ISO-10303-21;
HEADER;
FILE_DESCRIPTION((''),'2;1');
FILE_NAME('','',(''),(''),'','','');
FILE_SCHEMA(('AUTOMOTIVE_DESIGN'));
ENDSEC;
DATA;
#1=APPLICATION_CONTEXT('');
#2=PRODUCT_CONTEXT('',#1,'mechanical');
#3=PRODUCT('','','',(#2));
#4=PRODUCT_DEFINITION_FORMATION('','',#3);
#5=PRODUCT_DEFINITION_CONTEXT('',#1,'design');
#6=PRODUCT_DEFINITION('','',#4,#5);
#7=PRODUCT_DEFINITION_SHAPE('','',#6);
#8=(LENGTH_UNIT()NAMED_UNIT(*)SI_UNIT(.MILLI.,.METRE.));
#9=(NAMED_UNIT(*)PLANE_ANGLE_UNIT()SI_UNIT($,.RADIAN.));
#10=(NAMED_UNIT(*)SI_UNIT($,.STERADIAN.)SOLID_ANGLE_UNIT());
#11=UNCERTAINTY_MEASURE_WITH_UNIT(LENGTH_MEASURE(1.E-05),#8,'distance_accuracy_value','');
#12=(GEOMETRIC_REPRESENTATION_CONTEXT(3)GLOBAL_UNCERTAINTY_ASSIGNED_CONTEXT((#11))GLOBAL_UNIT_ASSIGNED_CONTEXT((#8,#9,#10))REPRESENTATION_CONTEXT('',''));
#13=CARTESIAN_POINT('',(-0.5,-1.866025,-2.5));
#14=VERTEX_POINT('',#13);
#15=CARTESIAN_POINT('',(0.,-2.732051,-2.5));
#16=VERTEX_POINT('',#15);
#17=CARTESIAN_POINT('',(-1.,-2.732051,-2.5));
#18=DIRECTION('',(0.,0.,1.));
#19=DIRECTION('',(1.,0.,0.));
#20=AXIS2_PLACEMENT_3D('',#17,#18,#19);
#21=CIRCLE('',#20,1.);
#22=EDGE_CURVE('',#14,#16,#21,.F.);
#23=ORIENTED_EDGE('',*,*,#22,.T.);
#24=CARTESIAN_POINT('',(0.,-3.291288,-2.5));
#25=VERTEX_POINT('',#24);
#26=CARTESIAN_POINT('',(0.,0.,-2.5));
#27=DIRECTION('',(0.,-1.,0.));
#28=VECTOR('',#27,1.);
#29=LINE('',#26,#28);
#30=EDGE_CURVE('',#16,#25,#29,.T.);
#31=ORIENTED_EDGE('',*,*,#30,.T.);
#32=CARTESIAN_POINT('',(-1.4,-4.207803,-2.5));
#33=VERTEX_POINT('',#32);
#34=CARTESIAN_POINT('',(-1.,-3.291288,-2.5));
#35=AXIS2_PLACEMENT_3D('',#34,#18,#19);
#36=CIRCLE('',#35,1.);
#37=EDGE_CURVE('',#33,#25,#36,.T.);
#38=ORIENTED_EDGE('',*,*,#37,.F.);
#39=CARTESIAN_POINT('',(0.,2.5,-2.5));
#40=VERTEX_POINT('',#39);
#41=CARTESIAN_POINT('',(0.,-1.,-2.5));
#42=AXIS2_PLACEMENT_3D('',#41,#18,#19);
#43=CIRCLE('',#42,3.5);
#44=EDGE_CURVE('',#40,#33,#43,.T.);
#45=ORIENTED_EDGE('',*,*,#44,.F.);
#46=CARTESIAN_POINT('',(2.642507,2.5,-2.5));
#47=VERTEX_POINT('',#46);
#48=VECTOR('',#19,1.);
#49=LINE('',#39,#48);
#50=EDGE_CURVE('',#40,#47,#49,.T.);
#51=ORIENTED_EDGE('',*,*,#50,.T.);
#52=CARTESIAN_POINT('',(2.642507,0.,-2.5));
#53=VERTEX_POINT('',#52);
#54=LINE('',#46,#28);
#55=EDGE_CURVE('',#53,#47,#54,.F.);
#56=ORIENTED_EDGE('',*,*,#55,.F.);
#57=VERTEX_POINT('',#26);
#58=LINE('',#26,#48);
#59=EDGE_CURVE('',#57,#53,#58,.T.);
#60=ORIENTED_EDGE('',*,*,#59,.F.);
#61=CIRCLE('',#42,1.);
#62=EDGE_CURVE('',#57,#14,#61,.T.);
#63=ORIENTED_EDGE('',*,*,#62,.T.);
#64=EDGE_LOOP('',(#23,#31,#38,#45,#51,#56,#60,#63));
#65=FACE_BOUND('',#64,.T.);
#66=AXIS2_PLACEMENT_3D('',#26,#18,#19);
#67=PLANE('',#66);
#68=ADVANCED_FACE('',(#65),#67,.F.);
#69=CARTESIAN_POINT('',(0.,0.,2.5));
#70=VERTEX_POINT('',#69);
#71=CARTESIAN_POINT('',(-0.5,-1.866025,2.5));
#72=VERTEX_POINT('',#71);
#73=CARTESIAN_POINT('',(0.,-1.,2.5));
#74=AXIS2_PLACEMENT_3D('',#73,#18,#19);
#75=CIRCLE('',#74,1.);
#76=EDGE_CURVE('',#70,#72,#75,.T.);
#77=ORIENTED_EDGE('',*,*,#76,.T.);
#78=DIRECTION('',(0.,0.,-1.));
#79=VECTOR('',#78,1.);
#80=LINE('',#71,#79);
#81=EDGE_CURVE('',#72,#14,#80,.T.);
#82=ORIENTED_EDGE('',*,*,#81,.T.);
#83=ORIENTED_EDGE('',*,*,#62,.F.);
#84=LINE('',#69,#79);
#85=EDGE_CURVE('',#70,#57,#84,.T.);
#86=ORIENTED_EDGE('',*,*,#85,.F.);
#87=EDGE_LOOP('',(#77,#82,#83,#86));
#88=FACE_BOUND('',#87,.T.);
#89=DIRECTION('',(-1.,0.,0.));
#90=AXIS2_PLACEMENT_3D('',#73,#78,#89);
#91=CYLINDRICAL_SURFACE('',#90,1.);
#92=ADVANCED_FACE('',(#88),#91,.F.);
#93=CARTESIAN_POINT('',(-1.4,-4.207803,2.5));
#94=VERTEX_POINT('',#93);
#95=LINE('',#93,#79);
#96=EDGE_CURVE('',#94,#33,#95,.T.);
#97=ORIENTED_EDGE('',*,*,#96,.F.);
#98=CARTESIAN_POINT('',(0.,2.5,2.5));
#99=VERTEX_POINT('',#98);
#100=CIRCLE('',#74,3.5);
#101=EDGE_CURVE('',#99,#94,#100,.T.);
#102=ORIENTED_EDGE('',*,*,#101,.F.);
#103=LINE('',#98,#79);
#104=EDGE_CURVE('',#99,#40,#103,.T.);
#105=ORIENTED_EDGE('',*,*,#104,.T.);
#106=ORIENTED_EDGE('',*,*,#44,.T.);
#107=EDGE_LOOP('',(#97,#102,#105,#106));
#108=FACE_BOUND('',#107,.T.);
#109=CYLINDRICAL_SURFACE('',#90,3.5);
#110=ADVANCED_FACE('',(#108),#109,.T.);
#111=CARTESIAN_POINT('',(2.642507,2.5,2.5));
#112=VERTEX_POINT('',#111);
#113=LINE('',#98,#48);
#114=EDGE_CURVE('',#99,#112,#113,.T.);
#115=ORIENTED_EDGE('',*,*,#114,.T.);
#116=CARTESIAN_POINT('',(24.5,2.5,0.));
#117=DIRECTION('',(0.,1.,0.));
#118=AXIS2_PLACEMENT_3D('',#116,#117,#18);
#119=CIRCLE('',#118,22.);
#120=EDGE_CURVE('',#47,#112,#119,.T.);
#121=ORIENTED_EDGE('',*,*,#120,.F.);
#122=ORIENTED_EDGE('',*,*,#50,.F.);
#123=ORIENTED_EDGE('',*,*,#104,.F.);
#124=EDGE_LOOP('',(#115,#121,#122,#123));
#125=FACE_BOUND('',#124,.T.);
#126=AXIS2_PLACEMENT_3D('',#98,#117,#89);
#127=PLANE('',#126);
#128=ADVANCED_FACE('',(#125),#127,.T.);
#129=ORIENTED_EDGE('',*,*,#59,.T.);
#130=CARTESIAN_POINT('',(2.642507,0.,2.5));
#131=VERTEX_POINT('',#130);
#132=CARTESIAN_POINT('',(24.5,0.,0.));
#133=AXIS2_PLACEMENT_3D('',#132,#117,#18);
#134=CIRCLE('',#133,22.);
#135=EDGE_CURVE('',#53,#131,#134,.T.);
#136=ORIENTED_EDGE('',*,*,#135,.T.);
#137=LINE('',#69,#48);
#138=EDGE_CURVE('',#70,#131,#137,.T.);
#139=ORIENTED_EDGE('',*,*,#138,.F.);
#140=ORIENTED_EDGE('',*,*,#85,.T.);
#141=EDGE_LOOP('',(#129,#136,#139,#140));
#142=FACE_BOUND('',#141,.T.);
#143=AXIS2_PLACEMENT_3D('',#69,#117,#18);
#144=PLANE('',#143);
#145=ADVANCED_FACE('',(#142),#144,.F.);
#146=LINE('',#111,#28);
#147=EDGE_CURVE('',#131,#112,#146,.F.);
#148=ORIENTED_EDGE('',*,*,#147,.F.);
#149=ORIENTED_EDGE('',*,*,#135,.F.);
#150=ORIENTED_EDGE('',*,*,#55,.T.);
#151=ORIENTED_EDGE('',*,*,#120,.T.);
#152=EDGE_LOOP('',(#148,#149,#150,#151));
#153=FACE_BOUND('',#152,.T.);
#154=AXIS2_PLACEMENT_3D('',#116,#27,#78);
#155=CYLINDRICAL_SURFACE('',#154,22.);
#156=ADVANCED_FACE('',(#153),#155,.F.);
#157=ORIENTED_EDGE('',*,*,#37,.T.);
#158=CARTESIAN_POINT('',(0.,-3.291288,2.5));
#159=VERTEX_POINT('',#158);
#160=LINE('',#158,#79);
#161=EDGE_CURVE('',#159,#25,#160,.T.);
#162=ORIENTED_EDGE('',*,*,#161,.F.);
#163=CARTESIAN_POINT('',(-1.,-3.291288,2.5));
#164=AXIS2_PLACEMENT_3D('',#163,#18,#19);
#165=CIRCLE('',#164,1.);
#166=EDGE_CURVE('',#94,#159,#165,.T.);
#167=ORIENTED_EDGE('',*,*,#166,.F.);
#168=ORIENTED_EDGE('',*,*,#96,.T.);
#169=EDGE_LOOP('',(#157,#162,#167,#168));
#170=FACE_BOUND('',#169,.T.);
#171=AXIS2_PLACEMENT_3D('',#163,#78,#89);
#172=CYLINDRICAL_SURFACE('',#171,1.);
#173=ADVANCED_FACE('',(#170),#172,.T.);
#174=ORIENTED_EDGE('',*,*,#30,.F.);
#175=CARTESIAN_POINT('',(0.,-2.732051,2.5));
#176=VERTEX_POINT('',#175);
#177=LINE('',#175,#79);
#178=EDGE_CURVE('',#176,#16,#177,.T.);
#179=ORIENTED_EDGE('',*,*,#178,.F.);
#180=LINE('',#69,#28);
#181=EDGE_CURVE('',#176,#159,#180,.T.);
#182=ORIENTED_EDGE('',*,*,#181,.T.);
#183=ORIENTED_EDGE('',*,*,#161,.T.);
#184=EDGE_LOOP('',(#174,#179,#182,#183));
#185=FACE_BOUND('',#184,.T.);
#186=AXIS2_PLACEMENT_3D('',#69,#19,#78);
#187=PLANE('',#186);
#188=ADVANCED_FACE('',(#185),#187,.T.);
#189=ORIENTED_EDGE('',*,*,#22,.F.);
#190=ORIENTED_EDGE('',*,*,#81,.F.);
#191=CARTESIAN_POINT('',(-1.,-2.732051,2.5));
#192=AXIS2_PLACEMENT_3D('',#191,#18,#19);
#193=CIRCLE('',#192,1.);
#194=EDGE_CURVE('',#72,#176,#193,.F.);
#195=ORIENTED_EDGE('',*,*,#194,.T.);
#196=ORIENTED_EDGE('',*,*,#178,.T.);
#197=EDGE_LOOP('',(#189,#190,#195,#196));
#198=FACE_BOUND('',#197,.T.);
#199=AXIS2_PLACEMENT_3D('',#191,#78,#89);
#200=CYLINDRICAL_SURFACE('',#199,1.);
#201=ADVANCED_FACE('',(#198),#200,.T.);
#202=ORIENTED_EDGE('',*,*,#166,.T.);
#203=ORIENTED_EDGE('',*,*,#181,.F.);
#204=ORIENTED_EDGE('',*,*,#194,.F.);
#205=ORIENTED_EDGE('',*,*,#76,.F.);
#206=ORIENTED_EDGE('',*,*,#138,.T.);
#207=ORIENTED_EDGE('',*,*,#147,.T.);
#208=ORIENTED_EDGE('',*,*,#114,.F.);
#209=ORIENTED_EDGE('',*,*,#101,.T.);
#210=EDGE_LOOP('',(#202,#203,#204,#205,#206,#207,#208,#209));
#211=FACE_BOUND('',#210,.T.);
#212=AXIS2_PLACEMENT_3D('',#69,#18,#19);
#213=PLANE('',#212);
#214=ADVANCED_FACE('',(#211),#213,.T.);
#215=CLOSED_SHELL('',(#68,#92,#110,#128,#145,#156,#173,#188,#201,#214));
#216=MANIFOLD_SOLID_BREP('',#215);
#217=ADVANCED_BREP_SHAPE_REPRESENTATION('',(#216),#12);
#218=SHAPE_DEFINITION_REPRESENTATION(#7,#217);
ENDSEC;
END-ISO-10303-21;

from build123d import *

# Parameters (mm, degrees)
BOSS_EXTRUDE1_DEPTH = 2.5
SKETCH2_R           = 22
CUT_EXTRUDE1_DEPTH  = 9.383366498


with BuildPart() as part:
    # Sketch1 → Boss-Extrude1 (new, symmetric)
    with BuildSketch(Plane.XY):
        with BuildLine():
            Line((0, -2.732050808), (0, -3.291287847))
            ThreePointArc((0, -3.291287847), (-0.452277442, -4.127947874), (-1.4, -4.207802986))
            ThreePointArc((-1.4, -4.207802986), (-3.426172095, -0.284916247), (0, 2.5))
            Line((0, 2.5), (6.753938291, 2.5))
            Line((6.753938291, 2.5), (6.753938291, 0))
            Line((6.753938291, 0), (0, 0))
            ThreePointArc((0, 0), (-0.965925826, -0.741180955), (-0.5, -1.866025404))
            ThreePointArc((-0.5, -1.866025404), (-0.133974596, -2.232050808), (0, -2.732050808))
        make_face()
    extrude(amount=BOSS_EXTRUDE1_DEPTH, both=True)

    # Sketch2 → Cut-Extrude1 (cut, through all)
    with BuildSketch(Plane(origin=(0, 0, 0), x_dir=(1, 0, 0), z_dir=(0, 1, 0))):
        with Locations((24.5, 0)):
            Circle(SKETCH2_R)
    extrude(amount=CUT_EXTRUDE1_DEPTH, mode=Mode.SUBTRACT)


solid = part.part
